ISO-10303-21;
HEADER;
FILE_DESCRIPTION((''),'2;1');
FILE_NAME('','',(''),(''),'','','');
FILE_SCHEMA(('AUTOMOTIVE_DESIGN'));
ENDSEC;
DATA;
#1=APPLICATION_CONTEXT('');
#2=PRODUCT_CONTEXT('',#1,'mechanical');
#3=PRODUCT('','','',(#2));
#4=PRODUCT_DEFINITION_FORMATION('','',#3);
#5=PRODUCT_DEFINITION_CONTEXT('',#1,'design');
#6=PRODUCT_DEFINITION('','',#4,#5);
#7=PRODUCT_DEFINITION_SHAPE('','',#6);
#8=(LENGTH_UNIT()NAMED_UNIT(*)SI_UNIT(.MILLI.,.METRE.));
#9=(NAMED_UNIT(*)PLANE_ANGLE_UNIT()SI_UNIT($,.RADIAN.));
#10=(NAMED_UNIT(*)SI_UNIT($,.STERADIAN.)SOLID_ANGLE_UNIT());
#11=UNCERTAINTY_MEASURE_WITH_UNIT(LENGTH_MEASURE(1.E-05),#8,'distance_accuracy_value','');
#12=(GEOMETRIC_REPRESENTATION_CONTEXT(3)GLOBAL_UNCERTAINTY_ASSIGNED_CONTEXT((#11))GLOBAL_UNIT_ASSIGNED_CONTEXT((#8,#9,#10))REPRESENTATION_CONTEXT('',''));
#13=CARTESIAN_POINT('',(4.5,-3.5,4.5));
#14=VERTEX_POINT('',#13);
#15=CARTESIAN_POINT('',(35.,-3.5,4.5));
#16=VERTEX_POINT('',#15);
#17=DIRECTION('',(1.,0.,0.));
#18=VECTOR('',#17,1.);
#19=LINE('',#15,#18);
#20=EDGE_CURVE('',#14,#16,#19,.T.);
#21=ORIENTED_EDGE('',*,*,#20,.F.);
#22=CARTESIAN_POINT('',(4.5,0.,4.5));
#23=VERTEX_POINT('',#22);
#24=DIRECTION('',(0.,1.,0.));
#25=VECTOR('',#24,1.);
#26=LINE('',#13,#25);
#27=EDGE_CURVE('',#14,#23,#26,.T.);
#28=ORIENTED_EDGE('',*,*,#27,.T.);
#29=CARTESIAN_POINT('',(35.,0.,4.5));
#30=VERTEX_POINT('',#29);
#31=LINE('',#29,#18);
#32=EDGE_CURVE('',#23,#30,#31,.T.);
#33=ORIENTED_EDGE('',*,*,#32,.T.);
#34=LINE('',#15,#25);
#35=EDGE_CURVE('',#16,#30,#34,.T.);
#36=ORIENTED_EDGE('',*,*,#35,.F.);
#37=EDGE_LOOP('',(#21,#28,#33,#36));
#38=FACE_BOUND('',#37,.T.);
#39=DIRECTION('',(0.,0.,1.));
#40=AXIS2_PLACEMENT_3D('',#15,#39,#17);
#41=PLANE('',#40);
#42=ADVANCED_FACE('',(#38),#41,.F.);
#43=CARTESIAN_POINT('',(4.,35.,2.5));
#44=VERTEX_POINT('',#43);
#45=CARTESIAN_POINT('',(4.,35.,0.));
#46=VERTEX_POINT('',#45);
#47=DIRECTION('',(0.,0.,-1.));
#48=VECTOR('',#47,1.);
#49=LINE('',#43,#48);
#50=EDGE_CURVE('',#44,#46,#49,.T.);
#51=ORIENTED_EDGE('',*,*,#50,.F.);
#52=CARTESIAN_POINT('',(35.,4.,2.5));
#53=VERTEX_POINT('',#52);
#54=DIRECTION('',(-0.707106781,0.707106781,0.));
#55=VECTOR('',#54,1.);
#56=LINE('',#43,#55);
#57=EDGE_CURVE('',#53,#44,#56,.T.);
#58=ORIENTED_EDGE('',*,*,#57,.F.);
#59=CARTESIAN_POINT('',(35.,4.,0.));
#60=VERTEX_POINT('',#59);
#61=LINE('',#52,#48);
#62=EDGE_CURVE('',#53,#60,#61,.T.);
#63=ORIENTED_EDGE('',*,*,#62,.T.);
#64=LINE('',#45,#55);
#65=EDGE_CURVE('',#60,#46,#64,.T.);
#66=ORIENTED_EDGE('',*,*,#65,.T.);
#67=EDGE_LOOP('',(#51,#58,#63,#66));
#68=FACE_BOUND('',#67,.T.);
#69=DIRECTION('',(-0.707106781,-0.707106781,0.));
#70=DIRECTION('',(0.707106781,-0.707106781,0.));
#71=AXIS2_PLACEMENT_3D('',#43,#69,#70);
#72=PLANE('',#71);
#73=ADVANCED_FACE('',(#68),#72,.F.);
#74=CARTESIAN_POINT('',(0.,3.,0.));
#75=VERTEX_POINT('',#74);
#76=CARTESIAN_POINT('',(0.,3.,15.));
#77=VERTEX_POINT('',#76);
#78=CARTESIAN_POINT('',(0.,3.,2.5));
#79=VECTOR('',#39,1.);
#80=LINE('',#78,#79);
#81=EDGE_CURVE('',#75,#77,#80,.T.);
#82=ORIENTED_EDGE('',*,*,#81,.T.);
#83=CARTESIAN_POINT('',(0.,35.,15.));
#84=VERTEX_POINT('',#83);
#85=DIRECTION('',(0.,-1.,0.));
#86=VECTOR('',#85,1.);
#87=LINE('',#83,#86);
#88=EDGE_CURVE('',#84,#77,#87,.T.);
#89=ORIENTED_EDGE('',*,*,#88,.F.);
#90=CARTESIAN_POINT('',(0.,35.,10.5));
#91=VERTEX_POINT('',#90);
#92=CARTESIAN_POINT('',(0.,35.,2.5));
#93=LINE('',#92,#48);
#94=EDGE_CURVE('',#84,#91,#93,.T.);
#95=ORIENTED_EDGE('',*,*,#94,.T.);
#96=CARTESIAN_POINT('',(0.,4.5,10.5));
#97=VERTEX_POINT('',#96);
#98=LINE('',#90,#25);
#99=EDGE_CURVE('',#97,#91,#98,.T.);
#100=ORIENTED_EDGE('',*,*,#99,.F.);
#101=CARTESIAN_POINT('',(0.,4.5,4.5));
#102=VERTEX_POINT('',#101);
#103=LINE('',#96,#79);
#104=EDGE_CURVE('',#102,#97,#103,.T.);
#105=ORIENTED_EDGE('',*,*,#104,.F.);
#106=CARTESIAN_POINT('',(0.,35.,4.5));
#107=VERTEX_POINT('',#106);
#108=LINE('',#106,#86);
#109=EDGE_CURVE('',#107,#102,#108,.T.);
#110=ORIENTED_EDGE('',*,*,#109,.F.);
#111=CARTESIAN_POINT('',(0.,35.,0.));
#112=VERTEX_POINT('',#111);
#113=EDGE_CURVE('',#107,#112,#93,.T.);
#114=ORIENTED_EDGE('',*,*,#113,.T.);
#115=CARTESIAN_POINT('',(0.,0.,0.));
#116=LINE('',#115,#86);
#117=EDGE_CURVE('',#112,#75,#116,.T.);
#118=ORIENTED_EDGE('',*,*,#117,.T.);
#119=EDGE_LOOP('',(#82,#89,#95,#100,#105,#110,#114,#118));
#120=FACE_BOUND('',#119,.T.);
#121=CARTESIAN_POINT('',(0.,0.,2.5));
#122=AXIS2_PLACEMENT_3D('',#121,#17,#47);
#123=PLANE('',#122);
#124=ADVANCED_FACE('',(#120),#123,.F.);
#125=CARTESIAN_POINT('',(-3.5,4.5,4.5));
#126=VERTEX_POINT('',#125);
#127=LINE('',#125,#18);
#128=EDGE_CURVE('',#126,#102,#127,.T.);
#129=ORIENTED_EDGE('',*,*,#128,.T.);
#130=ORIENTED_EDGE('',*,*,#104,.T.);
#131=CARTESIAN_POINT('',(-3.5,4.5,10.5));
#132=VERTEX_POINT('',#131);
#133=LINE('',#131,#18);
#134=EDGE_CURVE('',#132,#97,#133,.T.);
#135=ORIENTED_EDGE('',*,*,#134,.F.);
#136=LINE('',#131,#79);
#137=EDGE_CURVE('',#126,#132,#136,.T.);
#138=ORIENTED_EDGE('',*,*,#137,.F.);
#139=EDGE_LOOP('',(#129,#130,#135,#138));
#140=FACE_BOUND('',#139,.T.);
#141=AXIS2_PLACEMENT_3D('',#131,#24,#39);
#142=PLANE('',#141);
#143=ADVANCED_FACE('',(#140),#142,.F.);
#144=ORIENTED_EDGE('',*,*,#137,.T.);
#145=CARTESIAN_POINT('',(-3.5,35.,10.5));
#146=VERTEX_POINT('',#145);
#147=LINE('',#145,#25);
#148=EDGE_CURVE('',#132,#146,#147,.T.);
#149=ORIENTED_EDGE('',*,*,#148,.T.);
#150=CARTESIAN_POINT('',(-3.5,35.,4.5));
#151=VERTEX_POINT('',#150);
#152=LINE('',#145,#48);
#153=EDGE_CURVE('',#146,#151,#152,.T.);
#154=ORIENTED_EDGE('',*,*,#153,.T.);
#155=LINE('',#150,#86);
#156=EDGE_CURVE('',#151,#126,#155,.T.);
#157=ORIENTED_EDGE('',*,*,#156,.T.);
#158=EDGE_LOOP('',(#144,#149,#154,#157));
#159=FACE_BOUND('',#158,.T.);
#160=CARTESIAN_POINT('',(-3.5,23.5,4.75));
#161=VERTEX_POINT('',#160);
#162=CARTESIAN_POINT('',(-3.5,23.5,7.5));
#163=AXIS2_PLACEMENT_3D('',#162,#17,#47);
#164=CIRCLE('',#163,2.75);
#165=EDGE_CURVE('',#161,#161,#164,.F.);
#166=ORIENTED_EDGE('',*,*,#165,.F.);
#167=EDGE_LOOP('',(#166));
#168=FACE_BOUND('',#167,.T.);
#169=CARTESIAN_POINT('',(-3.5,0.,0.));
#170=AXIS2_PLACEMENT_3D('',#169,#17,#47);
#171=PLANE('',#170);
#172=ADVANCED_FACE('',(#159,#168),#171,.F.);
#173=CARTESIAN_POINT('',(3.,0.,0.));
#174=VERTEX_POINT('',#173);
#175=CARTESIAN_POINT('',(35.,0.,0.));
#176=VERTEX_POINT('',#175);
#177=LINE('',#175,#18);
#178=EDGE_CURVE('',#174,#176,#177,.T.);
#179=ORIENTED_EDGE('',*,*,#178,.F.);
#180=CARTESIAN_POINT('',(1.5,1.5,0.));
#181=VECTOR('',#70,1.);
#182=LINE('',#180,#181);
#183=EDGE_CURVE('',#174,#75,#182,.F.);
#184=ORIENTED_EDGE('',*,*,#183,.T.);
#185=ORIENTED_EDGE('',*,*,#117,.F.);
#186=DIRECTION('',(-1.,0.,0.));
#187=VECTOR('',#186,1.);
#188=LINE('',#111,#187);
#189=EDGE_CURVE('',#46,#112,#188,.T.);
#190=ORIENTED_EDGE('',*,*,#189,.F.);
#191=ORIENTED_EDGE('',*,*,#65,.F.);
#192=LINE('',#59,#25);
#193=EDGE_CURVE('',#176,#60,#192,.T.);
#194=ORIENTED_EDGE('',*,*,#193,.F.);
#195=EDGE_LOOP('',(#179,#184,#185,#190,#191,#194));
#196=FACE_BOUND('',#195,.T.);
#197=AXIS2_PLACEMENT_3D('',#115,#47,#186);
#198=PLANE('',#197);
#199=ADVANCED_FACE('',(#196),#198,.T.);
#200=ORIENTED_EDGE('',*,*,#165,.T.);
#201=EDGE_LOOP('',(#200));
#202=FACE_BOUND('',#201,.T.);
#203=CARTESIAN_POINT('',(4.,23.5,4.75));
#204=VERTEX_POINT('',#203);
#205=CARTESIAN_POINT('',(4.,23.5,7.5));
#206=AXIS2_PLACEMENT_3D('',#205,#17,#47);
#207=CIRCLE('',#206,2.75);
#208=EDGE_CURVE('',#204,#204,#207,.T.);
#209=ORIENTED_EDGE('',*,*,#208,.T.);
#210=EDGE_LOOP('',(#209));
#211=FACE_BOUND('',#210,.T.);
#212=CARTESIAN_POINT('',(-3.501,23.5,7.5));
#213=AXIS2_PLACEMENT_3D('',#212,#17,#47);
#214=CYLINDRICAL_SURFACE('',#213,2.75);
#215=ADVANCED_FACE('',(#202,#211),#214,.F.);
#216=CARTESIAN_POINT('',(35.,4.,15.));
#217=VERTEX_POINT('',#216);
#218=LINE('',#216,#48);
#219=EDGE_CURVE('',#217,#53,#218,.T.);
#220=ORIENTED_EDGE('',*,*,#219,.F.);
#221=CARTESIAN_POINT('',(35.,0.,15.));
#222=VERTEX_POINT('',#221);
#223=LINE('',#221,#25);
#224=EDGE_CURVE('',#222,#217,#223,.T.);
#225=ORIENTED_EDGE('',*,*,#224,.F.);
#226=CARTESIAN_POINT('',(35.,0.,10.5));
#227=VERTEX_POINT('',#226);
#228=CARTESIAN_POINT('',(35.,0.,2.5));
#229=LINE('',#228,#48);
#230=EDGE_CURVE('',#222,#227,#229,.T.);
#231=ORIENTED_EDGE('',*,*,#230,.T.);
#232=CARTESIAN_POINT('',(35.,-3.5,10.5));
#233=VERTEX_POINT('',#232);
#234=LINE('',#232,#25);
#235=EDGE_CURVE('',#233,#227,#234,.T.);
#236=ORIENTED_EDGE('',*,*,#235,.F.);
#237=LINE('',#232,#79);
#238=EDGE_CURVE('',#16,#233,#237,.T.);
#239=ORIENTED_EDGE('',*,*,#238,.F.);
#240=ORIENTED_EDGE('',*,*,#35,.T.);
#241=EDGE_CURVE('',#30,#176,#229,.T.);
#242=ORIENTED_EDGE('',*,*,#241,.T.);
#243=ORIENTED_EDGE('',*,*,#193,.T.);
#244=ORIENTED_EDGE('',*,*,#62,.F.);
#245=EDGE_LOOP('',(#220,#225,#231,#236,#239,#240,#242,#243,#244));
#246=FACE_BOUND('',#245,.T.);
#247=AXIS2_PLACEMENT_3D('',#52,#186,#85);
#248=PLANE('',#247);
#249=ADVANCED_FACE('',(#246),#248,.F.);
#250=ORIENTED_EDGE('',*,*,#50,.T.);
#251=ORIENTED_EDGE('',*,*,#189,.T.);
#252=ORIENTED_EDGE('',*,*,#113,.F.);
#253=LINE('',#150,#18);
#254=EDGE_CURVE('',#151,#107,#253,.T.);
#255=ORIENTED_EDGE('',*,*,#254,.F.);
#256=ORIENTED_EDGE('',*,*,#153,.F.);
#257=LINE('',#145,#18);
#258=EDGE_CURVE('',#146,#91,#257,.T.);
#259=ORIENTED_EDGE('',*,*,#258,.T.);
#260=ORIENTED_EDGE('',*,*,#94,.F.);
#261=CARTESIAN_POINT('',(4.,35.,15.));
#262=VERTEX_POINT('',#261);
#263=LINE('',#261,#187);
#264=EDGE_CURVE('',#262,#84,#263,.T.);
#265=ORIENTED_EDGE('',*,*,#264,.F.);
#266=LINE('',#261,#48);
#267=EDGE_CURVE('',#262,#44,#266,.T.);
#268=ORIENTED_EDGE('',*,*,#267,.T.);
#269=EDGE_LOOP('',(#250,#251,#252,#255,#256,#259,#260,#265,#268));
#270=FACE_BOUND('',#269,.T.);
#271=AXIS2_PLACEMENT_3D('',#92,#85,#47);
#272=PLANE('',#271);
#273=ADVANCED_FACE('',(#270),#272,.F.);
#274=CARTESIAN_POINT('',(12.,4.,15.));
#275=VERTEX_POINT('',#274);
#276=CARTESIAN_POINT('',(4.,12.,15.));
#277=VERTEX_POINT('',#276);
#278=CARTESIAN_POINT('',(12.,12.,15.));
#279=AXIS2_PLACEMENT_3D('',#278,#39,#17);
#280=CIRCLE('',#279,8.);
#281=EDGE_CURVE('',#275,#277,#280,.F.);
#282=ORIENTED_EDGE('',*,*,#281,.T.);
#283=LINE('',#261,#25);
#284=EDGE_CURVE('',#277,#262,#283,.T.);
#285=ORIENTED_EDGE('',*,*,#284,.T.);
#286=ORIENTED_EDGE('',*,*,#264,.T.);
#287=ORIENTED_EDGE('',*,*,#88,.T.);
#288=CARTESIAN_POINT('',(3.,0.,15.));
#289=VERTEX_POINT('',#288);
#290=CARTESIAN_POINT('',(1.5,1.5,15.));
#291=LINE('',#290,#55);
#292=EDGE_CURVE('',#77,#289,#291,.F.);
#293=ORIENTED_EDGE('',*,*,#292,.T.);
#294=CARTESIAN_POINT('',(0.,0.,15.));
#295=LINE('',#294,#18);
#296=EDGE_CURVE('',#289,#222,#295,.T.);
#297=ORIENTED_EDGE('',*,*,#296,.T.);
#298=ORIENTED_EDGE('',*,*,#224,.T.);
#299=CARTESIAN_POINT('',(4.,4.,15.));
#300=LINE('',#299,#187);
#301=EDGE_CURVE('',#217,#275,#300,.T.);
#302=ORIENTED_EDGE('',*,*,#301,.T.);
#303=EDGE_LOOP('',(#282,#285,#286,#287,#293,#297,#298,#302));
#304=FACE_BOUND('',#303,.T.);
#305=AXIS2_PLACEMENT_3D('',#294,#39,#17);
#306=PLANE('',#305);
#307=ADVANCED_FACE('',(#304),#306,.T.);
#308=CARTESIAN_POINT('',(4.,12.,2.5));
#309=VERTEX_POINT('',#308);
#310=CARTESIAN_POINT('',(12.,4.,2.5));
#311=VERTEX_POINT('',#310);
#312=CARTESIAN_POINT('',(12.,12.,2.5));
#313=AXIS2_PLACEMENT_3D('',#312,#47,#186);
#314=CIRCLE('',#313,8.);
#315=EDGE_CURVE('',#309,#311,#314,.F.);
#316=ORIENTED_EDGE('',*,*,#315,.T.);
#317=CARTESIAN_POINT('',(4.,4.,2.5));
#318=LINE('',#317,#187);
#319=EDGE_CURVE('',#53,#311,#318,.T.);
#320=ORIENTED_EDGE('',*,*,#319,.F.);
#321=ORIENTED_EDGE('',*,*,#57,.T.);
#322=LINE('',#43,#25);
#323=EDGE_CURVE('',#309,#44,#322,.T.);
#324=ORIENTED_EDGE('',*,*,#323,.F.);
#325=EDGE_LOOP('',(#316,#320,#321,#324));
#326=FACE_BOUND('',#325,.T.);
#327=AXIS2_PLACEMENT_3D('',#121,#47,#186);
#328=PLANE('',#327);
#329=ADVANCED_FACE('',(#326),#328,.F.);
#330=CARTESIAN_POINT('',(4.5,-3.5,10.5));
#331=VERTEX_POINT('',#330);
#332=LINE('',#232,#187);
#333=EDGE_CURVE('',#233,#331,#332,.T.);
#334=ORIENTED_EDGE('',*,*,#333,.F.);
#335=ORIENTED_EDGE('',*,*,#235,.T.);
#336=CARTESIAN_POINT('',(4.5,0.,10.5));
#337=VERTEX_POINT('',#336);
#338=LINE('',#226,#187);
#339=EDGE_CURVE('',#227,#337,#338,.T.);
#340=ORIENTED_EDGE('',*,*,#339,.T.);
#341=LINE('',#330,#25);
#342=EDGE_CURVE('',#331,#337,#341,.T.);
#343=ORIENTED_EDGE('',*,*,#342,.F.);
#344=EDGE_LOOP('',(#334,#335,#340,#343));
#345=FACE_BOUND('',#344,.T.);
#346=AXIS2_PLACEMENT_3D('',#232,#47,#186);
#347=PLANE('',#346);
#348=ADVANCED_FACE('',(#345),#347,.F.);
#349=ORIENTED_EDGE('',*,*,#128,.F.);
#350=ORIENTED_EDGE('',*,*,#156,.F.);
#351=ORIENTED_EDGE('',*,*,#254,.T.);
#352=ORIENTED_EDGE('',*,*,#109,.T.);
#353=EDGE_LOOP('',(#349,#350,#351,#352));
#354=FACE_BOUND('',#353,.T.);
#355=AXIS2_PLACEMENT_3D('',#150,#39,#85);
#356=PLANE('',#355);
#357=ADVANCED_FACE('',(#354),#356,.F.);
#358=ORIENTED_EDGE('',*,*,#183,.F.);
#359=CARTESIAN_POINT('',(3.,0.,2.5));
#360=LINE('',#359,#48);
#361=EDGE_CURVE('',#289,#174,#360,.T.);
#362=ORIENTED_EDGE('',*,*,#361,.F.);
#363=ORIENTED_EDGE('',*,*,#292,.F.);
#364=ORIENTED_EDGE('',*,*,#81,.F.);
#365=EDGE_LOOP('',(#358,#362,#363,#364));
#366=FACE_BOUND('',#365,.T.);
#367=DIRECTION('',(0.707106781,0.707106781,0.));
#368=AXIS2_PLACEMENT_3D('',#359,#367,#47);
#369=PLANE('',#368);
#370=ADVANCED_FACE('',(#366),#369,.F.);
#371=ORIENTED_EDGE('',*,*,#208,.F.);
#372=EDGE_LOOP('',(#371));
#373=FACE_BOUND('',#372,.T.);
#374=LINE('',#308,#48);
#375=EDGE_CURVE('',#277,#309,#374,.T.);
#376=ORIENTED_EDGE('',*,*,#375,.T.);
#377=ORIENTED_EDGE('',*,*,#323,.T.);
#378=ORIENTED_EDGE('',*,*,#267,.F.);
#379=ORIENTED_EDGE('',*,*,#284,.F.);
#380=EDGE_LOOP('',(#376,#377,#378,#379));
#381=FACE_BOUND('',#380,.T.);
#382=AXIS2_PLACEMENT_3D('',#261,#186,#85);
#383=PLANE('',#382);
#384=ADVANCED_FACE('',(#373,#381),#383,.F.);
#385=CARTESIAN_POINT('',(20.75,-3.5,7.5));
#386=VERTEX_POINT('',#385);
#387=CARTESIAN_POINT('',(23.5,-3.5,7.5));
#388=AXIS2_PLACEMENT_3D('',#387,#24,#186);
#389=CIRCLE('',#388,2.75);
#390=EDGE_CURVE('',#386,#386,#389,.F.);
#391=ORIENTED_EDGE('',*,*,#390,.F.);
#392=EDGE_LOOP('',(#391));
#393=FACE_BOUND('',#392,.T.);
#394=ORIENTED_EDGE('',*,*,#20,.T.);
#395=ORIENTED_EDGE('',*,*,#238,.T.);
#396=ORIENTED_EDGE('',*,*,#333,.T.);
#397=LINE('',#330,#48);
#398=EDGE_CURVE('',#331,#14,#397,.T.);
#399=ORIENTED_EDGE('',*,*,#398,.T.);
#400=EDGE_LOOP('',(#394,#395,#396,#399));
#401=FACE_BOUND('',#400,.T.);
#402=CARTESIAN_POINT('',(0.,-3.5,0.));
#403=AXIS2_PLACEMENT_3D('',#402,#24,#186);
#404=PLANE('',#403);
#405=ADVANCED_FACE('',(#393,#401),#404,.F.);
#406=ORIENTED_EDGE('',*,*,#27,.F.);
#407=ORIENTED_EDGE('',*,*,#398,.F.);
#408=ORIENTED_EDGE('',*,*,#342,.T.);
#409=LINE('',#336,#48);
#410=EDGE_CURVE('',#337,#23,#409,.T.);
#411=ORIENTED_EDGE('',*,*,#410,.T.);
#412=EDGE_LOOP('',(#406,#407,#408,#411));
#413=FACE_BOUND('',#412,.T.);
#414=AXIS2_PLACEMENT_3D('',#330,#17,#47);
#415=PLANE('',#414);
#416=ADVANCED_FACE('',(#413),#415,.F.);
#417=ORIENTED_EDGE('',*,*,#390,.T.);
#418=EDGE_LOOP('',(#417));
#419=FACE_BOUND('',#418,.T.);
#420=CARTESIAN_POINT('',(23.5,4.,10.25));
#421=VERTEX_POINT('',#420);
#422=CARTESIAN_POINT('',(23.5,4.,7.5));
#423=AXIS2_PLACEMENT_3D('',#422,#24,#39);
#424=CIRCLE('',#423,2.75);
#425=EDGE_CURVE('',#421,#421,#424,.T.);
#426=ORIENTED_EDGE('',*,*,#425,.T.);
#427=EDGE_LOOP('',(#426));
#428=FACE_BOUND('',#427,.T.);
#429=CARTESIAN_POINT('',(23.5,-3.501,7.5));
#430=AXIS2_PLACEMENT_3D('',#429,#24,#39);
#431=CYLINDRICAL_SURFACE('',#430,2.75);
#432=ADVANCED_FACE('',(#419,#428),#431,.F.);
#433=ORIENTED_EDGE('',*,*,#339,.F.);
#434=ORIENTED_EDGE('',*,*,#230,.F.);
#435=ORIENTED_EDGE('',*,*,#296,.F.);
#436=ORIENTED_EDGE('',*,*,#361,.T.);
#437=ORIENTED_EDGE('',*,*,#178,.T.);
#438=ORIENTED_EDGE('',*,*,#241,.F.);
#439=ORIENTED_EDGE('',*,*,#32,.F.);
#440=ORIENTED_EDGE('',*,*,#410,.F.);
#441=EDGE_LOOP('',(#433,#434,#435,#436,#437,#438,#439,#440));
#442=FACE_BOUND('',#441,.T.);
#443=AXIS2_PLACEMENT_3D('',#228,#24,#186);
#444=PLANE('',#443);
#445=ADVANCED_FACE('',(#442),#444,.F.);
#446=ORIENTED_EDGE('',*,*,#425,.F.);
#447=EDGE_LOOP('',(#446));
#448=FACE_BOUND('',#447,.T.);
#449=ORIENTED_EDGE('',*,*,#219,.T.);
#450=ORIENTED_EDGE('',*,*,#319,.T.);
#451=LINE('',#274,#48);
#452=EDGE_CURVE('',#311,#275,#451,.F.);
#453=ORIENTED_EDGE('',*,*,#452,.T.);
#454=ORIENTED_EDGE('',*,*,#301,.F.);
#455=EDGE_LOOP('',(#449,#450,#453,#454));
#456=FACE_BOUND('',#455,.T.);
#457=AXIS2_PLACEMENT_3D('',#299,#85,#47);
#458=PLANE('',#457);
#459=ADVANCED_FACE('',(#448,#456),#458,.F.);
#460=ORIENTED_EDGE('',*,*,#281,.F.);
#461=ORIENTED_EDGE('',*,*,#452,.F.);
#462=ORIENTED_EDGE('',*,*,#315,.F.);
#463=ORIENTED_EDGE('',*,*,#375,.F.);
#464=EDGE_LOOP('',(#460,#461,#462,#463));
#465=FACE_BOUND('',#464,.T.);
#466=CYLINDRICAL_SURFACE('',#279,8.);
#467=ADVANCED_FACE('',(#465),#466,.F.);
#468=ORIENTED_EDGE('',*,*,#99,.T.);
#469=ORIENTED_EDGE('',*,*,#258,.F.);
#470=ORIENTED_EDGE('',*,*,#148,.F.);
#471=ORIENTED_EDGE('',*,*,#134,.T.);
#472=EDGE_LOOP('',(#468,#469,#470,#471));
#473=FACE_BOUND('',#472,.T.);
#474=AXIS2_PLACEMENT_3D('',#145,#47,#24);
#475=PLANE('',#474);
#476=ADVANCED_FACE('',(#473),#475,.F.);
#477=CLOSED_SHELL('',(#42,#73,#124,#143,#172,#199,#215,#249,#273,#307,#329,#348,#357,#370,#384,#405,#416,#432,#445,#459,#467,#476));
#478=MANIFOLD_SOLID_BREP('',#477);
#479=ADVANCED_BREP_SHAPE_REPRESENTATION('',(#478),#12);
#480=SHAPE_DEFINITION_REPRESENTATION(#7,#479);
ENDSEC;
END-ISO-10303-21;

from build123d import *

# Parameters (mm, degrees)
BOSS_EXTRUDE1_DEPTH = 2.5
BOSS_EXTRUDE2_DEPTH = 12.5
SKETCH5_W           = 30.5
SKETCH5_H           = 6
BOSS_EXTRUDE3_DEPTH = 3.5
SKETCH6_W           = 6
SKETCH6_H           = 30.5
BOSS_EXTRUDE4_DEPTH = 3.5
CUT_EXTRUDE1_REACH  = 51.102
SKETCH3_R           = 2.75
CUT_EXTRUDE2_REACH  = 51.102
SKETCH4_R           = 2.75
FILLET1_R           = 8
CHAMFER1_SIZE       = 3


with BuildPart() as part:
    # Sketch1 → Boss-Extrude1 (new body)
    with BuildSketch(Plane.XY):
        Polygon((0, 0), (0, 35), (4, 35), (35, 4), (35, 0), align=None)
    extrude(amount=BOSS_EXTRUDE1_DEPTH)

    # Sketch2 → Boss-Extrude2 (add)
    with BuildSketch(Plane.XY.offset(2.5)):
        Polygon((35, 0), (35, 4), (4, 4), (4, 35), (0, 35), (0, 0), align=None)
    extrude(amount=BOSS_EXTRUDE2_DEPTH)

    # Sketch5 → Boss-Extrude3 (add)
    with BuildSketch(Plane.XZ):
        with Locations((19.75, 7.5)):
            Rectangle(SKETCH5_W, SKETCH5_H)
    extrude(amount=BOSS_EXTRUDE3_DEPTH)

    # Sketch6 → Boss-Extrude4 (add)
    with BuildSketch(Plane.ZY):
        with Locations((7.5, 19.75)):
            Rectangle(SKETCH6_W, SKETCH6_H)
    extrude(amount=BOSS_EXTRUDE4_DEPTH)

    # Sketch3 → Cut-Extrude1 (cut, up to next)
    with BuildSketch(Plane(origin=(4, 0, 0), x_dir=(0, 0, -1), z_dir=(1, 0, 0)), mode=Mode.PRIVATE) as cut_extrude1_sk1:
        with Locations((-7.5, 23.5)):
            Circle(SKETCH3_R)
    cut_extrude1_tool1 = extrude(cut_extrude1_sk1.sketch, amount=-CUT_EXTRUDE1_REACH, mode=Mode.PRIVATE) & part.part
    add(cut_extrude1_tool1.solids().sort_by_distance((4, 23.5, 7.5))[0], mode=Mode.SUBTRACT)

    # Sketch4 → Cut-Extrude2 (cut, up to next)
    with BuildSketch(Plane(origin=(0, 4, 0), x_dir=(1, 0, 0), z_dir=(0, 1, 0)), mode=Mode.PRIVATE) as cut_extrude2_sk1:
        with Locations(Location((23.5, -7.5, 0), (0, 0, 270))):
            Circle(SKETCH4_R)
    cut_extrude2_tool1 = extrude(cut_extrude2_sk1.sketch, amount=-CUT_EXTRUDE2_REACH, mode=Mode.PRIVATE) & part.part
    add(cut_extrude2_tool1.solids().sort_by_distance((23.5, 4, 7.5))[0], mode=Mode.SUBTRACT)

    # Fillet1
    fillet1_edges = [part.edges().sort_by_distance(p)[0] for p in [
        (4, 4, 8.75),
    ]]
    fillet(fillet1_edges, radius=FILLET1_R)

    # Chamfer1
    chamfer1_edges = [part.edges().sort_by_distance(p)[0] for p in [
        (0, 0, 7.5),
    ]]
    chamfer(chamfer1_edges, length=CHAMFER1_SIZE)


solid = part.part
